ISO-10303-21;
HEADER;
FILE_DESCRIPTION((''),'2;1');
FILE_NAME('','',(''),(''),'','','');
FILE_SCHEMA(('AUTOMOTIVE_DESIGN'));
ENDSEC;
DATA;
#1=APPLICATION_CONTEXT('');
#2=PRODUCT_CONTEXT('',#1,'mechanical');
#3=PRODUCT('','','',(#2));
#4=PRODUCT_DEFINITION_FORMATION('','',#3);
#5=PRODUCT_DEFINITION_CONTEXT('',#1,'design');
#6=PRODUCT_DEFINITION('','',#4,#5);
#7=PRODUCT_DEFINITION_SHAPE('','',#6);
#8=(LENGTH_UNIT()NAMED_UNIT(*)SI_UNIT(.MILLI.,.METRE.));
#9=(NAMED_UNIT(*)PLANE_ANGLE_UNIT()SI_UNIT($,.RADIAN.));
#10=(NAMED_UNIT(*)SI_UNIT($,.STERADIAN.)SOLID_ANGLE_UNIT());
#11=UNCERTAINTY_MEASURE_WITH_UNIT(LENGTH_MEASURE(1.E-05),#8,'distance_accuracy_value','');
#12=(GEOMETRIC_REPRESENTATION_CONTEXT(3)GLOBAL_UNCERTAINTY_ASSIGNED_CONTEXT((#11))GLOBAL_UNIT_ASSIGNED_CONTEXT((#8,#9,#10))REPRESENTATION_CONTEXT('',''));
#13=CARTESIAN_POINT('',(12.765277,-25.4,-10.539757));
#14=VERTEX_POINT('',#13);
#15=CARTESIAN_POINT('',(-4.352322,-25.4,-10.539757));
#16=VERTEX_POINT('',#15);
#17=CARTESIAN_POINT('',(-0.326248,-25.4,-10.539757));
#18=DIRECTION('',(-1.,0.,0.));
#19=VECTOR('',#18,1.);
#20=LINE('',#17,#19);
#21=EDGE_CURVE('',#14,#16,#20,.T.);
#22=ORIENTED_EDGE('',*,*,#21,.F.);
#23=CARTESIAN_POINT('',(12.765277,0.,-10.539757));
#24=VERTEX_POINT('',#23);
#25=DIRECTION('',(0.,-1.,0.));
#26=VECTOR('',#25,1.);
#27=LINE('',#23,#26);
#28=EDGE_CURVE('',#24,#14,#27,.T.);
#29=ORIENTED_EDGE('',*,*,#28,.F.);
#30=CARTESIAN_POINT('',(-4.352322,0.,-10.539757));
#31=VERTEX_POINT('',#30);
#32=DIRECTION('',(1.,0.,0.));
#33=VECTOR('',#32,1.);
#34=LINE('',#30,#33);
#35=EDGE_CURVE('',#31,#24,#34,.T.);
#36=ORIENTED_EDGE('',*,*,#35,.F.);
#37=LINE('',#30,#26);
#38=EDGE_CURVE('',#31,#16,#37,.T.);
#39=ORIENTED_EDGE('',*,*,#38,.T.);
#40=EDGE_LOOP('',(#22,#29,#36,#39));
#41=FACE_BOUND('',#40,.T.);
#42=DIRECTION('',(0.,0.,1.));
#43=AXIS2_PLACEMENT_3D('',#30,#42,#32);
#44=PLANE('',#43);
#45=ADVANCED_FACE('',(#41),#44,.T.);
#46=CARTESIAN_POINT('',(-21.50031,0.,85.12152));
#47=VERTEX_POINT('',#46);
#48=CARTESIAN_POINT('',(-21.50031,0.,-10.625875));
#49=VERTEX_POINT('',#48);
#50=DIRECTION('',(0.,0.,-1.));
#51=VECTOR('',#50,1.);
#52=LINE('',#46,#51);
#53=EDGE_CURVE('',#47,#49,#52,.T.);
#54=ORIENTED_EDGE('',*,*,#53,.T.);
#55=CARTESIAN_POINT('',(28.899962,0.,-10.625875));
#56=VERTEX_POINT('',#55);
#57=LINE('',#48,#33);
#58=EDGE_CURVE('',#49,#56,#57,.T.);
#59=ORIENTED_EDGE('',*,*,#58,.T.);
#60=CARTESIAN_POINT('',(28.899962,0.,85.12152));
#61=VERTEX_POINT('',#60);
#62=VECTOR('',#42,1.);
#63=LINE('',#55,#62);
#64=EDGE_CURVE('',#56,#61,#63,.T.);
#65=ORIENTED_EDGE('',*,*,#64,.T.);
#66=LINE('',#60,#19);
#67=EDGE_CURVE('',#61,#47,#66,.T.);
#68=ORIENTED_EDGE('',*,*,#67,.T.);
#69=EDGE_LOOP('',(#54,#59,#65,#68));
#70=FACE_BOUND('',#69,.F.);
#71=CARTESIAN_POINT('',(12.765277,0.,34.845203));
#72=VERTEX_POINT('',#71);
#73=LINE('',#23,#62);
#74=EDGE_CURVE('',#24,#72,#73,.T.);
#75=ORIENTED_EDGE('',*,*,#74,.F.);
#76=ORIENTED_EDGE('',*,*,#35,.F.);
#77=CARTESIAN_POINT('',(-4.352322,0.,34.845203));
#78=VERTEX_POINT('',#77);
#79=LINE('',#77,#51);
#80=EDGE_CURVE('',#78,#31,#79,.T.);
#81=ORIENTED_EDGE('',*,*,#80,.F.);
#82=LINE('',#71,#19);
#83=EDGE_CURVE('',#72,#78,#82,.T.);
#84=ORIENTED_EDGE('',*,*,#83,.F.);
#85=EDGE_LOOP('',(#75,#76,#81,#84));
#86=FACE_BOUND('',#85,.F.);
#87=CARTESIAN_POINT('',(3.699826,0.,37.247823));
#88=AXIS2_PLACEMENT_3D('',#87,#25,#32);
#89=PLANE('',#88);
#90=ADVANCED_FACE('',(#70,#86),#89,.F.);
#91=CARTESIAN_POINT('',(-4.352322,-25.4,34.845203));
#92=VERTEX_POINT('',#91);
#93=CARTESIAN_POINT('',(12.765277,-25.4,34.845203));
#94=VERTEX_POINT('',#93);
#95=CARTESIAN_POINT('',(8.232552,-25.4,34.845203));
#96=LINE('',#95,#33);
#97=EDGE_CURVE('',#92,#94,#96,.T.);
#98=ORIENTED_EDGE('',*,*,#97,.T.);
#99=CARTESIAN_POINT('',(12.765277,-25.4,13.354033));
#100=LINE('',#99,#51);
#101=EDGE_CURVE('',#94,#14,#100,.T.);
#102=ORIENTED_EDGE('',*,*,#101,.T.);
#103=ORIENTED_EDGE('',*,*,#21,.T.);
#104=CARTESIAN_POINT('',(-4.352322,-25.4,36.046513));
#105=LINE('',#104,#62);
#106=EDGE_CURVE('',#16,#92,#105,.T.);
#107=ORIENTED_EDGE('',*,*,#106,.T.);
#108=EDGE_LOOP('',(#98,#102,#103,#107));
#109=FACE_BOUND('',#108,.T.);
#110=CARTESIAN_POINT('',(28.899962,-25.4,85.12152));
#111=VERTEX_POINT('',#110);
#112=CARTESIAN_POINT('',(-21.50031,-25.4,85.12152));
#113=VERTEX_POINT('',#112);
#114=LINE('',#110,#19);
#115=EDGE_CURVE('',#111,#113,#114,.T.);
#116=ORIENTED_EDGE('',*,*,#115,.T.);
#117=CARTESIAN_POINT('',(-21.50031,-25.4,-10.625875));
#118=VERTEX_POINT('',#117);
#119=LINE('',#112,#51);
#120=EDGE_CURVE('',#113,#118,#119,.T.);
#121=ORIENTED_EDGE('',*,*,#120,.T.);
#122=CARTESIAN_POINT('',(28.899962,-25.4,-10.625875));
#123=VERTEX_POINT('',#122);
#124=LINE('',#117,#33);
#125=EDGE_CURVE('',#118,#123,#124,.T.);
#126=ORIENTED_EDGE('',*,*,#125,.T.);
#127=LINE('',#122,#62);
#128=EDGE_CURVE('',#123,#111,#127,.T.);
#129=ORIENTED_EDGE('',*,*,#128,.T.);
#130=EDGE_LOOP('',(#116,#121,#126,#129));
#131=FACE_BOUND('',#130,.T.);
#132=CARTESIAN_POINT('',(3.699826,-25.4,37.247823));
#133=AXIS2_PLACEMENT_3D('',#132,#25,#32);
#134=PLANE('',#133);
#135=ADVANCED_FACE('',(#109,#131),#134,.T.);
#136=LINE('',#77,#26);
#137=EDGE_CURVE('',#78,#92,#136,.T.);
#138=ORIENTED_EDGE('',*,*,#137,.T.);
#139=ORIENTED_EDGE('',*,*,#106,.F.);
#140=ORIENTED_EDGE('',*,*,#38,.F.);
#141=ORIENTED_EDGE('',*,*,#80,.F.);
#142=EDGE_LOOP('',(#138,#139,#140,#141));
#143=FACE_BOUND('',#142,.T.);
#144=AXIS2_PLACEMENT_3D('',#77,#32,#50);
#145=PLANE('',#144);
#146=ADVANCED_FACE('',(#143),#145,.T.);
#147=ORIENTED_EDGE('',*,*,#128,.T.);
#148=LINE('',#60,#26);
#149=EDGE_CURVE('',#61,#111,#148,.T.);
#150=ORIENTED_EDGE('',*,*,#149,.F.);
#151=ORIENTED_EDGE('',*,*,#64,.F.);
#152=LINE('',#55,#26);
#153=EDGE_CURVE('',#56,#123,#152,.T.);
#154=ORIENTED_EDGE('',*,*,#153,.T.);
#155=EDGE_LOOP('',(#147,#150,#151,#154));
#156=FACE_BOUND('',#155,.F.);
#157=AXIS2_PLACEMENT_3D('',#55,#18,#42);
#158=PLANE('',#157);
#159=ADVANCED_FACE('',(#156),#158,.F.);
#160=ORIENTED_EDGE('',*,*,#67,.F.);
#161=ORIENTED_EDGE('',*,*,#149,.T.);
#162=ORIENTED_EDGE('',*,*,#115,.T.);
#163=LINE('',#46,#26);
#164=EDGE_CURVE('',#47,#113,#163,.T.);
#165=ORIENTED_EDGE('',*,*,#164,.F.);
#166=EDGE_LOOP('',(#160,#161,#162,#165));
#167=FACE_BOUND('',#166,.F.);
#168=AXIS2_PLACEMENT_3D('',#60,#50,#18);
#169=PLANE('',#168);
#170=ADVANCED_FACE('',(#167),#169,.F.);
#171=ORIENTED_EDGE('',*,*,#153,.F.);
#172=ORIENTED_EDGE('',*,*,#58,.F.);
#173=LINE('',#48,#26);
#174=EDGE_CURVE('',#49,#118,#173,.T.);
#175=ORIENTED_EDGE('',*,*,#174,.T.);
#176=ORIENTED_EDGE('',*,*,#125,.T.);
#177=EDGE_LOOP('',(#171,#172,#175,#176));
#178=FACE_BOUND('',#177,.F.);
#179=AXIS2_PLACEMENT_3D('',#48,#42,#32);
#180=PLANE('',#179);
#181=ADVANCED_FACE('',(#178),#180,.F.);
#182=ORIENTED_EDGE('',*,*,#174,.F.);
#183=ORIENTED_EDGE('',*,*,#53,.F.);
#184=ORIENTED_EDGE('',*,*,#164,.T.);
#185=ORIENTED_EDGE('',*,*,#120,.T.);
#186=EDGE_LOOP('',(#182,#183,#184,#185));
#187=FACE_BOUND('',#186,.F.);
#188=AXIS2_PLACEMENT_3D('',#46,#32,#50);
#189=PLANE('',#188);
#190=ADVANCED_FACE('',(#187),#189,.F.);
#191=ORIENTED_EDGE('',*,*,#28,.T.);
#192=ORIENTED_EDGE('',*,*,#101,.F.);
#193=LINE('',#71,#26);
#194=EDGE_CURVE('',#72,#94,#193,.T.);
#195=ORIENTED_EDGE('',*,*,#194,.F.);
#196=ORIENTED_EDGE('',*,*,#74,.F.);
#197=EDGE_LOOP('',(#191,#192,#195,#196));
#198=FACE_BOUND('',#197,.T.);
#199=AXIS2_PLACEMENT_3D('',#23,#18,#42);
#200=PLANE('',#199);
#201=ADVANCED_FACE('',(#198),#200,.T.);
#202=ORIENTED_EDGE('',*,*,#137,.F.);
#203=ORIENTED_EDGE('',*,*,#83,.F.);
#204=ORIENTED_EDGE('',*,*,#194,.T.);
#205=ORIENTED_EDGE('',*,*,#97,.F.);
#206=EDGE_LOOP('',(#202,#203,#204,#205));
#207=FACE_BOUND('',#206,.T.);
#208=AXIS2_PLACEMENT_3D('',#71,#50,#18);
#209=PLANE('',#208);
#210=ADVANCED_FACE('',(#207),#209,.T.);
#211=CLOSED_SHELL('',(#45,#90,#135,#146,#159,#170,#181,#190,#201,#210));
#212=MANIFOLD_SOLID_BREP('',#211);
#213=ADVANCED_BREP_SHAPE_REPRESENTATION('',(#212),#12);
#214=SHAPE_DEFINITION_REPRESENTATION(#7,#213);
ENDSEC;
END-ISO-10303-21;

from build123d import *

# Parameters (mm, degrees)
F0_W      = 36.8749946356
F0_H      = 46.3530421257
F1_DEPTH  = 43.4907004237
F4_DEPTH  = 25.4
F4_FACE_W = 50.4002720118
F4_FACE_H = 95.7473944873
F6_DEPTH  = 80.4695729166


with BuildPart() as f1:
    # F0 (on Top) → F1 (new body)
    with BuildSketch(Plane.XY):
        with Locations((18.4374973178, -11.0187307)):
            Rectangle(F0_W, F0_H)
    extrude(amount=F1_DEPTH)


with BuildPart() as f4:
    # F3 (on Front) → F4 (new body)
    with BuildSketch(Plane.XZ):
        Polygon((-21.5003099293, 85.1215198636), (-21.5003099293, 46.1357757449), (-21.5003099293, -10.6258746237), (28.8999620825, -10.6258746237), (28.8999620825, 85.1215198636), align=None)
    extrude(amount=F4_DEPTH)

    # F4_face (on face) + F5 (on Front) → F6 (cut)
    with BuildSketch(Plane(origin=(3.6998260766, -25.4, 37.24782262), x_dir=(1, 0, 0), z_dir=(0, -1, 0))):
        Rectangle(F4_FACE_W, F4_FACE_H)
    with BuildSketch(Plane.XZ):
        Polygon((-4.3523218483, 0), (-4.3523218483, -10.5397570878), (12.7652771771, -10.5397570878), (12.7652771771, 34.8452031612), (-4.3523218483, 34.8452031612), align=None)
    extrude(amount=F6_DEPTH, mode=Mode.SUBTRACT)


solid = f4.part
